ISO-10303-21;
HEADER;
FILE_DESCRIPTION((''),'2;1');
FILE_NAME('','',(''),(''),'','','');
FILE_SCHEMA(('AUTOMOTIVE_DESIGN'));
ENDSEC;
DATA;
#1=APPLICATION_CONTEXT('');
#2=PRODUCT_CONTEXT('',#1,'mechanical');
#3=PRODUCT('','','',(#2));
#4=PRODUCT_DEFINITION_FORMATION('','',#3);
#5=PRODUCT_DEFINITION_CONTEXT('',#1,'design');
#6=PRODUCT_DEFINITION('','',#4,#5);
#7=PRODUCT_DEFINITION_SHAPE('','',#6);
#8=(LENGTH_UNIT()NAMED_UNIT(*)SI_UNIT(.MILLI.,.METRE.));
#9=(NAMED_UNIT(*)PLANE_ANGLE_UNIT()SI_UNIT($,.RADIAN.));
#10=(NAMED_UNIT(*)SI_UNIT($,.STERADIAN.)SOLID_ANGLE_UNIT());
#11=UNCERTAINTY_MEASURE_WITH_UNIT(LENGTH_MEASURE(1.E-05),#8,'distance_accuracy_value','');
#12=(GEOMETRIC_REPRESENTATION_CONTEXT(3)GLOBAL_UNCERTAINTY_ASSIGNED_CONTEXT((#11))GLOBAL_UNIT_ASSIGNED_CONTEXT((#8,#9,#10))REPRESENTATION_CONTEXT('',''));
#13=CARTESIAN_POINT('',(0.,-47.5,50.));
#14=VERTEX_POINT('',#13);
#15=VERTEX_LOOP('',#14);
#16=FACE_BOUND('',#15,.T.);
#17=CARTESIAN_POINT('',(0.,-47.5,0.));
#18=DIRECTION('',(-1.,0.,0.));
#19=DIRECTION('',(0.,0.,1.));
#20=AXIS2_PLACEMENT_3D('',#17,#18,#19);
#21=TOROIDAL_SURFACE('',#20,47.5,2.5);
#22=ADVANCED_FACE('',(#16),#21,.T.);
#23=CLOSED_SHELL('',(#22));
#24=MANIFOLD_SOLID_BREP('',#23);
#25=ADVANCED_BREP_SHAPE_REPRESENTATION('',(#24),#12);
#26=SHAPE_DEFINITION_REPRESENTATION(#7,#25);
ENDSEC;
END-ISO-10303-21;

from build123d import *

# Parameters (mm, degrees)
SKETCH1_R = 2.5


with BuildPart() as part:
    # Sketch1 → Revolve1 (revolve)
    with BuildSketch(Plane.XY, mode=Mode.PRIVATE) as revolve1_sk:
        Circle(SKETCH1_R)
    revolve(revolve1_sk.sketch.rotate(Axis((-2.665122588, -47.5, 0), (1, 0, 0)), 90), axis=Axis((-2.665122588, -47.5, 0), (1, 0, 0)))


solid = part.part
